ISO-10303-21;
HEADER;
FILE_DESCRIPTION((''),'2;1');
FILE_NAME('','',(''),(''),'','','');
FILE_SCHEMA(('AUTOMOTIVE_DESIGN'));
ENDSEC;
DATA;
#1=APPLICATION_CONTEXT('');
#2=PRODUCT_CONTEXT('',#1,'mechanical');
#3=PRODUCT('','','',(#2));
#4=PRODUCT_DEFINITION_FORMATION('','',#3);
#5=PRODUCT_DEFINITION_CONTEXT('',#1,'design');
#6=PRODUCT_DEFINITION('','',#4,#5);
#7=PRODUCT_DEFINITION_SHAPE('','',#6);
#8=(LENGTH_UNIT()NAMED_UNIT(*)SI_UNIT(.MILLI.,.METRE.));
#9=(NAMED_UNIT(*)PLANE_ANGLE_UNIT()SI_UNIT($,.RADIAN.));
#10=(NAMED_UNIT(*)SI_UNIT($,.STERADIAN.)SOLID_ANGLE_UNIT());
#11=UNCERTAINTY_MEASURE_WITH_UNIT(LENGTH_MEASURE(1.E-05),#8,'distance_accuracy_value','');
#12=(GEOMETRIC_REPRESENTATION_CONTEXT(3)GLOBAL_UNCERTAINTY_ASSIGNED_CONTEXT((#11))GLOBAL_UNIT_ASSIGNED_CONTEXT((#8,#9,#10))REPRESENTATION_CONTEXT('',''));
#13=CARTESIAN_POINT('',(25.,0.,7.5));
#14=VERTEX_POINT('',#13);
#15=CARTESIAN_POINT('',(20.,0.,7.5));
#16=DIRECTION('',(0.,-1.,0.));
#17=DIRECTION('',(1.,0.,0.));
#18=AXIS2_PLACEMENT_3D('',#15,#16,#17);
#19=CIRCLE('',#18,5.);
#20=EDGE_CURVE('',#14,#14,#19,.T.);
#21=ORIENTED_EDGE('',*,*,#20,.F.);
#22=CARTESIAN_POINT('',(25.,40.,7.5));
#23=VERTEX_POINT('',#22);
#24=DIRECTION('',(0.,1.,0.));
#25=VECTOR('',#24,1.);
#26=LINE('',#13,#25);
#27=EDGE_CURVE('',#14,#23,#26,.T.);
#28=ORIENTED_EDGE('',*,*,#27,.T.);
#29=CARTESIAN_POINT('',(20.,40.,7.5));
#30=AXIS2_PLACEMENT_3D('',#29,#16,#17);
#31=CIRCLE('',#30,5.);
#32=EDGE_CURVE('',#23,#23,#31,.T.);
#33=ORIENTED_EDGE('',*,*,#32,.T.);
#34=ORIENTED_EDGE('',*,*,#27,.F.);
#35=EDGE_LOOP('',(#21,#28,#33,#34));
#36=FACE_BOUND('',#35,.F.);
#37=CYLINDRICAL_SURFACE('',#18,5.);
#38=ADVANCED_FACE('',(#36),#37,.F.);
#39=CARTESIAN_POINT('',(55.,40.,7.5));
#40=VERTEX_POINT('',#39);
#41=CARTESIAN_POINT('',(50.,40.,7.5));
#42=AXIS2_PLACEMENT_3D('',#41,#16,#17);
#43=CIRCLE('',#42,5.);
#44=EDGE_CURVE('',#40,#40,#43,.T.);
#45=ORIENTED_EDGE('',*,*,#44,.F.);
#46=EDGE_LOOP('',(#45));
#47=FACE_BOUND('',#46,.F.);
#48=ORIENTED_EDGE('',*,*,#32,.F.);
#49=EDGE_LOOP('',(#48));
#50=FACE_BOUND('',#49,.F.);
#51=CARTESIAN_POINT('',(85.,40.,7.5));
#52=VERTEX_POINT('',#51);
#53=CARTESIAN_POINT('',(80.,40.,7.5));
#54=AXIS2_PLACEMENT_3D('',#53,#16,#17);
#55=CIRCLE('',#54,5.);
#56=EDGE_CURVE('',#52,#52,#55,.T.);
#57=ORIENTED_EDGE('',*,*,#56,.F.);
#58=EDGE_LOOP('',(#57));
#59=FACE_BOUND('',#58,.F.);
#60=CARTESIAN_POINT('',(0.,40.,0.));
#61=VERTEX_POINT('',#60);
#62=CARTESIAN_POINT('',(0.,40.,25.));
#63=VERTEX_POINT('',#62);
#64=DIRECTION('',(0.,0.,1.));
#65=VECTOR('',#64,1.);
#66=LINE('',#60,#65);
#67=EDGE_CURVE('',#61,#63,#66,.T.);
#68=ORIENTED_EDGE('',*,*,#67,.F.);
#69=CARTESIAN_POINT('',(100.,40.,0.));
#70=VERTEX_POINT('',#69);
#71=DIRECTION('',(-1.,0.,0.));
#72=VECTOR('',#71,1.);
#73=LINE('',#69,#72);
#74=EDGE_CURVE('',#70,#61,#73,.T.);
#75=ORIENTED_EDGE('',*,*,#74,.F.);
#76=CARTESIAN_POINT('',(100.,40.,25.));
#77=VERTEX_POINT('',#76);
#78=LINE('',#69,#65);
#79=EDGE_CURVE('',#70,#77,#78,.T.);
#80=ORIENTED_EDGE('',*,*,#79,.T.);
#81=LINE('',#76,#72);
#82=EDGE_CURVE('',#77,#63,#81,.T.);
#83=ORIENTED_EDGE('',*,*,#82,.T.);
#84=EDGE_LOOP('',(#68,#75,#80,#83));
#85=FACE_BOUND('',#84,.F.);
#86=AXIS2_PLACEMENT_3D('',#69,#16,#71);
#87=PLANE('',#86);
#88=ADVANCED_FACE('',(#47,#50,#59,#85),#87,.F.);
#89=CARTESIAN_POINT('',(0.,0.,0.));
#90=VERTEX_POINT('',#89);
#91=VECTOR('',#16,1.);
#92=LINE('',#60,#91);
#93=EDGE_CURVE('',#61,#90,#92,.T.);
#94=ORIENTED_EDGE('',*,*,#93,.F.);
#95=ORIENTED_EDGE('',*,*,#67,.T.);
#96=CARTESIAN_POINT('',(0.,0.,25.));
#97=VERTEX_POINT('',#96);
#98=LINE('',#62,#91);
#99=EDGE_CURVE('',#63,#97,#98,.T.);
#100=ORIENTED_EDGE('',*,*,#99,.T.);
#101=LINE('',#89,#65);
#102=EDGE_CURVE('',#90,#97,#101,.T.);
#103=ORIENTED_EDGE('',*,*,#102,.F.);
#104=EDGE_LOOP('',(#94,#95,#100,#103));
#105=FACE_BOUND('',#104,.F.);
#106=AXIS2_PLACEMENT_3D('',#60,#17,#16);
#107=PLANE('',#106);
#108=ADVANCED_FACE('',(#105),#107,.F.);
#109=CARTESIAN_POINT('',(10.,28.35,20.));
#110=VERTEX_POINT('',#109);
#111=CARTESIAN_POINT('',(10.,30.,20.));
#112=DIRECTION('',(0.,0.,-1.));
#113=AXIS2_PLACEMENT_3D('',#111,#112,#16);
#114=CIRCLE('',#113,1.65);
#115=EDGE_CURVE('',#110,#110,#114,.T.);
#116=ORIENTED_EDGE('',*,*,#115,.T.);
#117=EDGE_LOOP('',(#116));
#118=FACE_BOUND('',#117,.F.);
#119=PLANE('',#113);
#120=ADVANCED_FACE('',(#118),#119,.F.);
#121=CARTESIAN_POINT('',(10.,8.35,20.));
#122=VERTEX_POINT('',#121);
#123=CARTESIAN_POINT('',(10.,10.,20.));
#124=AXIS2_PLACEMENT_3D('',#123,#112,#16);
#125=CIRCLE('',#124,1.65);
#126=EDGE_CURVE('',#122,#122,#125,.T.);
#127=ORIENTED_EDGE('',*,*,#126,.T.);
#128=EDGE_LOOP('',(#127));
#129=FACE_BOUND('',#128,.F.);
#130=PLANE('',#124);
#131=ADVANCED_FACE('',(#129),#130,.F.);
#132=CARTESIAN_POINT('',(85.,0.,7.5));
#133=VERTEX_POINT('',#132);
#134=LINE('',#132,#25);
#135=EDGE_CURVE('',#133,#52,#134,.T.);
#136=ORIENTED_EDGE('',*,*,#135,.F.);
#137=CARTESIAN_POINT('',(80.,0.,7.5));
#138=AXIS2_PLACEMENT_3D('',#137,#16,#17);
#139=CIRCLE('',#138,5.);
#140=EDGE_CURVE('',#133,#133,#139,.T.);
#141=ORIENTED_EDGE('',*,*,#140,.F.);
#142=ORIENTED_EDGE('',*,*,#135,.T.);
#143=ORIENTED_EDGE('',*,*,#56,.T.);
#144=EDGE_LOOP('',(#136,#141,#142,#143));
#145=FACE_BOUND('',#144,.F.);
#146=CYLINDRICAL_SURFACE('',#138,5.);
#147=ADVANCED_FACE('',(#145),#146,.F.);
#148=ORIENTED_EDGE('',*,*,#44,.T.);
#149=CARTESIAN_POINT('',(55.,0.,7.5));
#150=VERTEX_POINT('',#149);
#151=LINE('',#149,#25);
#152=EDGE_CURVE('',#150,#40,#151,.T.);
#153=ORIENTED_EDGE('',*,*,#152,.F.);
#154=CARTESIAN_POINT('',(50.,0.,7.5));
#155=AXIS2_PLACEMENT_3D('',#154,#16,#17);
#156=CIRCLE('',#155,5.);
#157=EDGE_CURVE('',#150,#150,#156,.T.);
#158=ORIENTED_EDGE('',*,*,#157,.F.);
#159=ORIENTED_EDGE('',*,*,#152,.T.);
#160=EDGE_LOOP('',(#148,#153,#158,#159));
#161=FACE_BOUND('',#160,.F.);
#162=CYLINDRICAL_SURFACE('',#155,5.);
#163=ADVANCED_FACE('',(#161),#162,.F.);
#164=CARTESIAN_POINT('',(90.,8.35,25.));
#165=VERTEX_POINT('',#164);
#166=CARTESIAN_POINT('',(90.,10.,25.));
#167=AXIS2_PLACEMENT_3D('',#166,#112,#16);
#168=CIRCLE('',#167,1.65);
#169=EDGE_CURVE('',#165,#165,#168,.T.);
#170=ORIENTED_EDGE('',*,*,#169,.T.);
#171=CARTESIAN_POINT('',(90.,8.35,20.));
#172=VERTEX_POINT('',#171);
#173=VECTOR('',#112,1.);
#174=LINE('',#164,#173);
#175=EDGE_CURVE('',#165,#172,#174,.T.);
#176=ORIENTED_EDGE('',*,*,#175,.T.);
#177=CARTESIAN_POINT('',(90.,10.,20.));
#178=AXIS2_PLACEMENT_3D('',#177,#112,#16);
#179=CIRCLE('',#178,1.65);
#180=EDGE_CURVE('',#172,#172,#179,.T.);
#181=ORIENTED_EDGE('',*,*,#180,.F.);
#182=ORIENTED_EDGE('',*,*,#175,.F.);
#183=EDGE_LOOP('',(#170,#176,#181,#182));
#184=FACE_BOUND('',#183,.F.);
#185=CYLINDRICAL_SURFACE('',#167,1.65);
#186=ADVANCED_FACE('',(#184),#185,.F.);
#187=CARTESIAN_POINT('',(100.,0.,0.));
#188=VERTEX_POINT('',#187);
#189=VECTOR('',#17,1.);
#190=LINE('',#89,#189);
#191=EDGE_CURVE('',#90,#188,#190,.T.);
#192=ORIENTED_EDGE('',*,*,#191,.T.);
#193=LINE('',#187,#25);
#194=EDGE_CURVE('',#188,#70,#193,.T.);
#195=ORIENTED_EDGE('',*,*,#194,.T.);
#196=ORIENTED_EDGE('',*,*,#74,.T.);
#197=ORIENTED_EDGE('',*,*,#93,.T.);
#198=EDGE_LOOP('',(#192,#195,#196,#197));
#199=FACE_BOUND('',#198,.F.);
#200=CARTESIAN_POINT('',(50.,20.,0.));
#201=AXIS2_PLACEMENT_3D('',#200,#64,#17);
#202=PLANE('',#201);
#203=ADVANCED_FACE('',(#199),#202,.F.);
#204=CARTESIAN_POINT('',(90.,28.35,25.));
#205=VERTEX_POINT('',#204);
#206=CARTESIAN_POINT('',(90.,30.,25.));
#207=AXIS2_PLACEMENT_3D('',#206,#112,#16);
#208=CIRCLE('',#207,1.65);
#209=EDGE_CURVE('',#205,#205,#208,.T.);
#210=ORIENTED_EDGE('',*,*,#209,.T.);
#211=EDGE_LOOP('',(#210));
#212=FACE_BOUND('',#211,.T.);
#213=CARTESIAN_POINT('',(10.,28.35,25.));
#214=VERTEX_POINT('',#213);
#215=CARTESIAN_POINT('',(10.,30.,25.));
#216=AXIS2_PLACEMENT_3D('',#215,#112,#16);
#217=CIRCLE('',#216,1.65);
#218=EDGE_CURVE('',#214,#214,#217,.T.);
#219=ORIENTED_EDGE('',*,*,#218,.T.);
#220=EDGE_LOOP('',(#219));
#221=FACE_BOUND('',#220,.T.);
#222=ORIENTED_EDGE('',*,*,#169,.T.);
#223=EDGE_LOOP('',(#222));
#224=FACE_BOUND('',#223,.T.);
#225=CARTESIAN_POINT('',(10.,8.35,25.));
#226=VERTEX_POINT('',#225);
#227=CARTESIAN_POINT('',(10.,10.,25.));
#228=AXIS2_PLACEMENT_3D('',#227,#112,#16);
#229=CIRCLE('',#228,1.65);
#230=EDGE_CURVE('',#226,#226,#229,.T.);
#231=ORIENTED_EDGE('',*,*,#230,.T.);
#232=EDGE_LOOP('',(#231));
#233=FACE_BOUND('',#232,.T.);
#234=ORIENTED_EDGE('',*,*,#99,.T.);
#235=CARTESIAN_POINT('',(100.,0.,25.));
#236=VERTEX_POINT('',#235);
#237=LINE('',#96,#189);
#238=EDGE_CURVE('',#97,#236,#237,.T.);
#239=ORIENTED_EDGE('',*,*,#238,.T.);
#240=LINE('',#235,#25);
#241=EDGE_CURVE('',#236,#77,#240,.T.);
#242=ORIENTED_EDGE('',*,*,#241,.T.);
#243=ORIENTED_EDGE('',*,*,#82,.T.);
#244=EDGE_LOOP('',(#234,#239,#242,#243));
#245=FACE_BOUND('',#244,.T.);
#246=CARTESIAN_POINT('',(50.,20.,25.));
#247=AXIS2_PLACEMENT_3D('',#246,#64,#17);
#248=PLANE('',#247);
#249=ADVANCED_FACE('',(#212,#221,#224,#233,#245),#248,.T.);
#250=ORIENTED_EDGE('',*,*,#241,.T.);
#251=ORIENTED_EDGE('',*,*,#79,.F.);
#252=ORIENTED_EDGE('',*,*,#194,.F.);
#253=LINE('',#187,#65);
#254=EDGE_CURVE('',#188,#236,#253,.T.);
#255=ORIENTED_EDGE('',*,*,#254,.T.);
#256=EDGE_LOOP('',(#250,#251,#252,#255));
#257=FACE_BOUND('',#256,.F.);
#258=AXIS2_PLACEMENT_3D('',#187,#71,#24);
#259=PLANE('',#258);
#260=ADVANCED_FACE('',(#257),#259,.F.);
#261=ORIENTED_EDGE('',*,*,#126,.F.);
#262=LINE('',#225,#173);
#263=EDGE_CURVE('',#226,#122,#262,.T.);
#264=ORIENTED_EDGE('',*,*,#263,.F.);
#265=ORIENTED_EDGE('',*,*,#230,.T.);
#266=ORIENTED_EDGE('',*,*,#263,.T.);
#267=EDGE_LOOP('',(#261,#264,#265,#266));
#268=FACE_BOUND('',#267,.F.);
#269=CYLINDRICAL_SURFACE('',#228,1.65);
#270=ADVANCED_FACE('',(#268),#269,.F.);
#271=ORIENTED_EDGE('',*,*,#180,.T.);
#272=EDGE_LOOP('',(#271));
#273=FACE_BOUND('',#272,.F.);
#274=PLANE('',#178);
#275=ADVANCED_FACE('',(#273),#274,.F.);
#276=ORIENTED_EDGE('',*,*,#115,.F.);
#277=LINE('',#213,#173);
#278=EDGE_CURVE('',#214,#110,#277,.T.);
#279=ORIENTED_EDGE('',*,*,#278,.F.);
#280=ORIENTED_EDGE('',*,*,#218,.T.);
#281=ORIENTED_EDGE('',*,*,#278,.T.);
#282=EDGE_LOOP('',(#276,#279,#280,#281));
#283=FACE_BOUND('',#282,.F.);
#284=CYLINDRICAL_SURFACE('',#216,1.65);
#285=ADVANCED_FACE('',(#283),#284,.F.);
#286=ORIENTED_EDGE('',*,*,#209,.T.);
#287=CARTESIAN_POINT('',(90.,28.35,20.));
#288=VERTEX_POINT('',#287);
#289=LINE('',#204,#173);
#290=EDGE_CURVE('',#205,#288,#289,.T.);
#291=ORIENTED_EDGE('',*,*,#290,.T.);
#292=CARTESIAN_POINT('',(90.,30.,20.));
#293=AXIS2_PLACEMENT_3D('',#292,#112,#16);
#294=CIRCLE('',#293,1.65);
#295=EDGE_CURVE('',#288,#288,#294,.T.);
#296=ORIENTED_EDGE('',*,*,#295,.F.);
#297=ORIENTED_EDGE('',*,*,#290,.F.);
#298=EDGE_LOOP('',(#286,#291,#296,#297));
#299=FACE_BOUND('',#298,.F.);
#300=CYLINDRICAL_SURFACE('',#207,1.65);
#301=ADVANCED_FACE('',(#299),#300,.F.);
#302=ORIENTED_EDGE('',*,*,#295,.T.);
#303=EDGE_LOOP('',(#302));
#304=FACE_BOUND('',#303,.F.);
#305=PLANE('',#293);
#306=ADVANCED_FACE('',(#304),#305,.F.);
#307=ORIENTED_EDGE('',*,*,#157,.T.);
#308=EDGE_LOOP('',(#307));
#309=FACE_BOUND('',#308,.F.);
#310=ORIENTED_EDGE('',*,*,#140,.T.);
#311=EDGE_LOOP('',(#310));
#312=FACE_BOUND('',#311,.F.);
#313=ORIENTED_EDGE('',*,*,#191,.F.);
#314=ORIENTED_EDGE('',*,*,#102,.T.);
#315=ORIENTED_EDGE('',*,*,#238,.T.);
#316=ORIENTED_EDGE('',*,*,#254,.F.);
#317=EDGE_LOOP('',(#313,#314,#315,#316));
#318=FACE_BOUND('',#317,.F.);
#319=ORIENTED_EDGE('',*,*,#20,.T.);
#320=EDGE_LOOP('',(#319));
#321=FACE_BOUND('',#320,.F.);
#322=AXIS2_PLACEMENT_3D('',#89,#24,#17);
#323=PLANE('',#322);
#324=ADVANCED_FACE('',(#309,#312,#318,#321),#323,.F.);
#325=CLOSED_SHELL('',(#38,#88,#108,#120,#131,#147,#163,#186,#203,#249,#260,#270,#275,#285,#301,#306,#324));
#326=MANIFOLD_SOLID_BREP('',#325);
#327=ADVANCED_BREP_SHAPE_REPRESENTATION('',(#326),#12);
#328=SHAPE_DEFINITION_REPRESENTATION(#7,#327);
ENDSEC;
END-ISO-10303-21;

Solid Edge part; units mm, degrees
sketch "Sketch1" plane through (0, 0, 0) normal (0, 0, 1) x (1, 0, 0)
  line L0 (100, 0) -> (100, 40)
  line L1 (100, 40) -> (0, 40)
  line L2 (0, 40) -> (0, 0)
  line L3 (0, 0) -> (100, 0)
extrude "Protrusion1" add sketch "Sketch1" along normal blind 25
sketch "Sketch2" plane through (50, 0, 17.5) normal (0, -1, 0) x (1, 0, 0)
  circle A0 centre (-30, -10) radius 5
  circle A1 centre (0, -10) radius 5
  circle A2 centre (30, -10) radius 5
  dimension "D1" = 20
  dimension "D2" = 7.5
  dimension "D3" = 30
  dimension "D4" = 30
extrude "Cutout1" cut sketch "Sketch2" against normal up to next
hole "Hole_1" at (10, 10, 25) direction (0, 0, -1) diameter 3.3 depth 5
hole "Hole1" at (90, 10, 25) direction (0, 0, -1) diameter 3.3 depth 5
hole "Hole2" at (90, 30, 25) direction (0, 0, -1) diameter 3.3 depth 5
hole "Hole3" at (10, 30, 25) direction (0, 0, -1) diameter 3.3 depth 5
